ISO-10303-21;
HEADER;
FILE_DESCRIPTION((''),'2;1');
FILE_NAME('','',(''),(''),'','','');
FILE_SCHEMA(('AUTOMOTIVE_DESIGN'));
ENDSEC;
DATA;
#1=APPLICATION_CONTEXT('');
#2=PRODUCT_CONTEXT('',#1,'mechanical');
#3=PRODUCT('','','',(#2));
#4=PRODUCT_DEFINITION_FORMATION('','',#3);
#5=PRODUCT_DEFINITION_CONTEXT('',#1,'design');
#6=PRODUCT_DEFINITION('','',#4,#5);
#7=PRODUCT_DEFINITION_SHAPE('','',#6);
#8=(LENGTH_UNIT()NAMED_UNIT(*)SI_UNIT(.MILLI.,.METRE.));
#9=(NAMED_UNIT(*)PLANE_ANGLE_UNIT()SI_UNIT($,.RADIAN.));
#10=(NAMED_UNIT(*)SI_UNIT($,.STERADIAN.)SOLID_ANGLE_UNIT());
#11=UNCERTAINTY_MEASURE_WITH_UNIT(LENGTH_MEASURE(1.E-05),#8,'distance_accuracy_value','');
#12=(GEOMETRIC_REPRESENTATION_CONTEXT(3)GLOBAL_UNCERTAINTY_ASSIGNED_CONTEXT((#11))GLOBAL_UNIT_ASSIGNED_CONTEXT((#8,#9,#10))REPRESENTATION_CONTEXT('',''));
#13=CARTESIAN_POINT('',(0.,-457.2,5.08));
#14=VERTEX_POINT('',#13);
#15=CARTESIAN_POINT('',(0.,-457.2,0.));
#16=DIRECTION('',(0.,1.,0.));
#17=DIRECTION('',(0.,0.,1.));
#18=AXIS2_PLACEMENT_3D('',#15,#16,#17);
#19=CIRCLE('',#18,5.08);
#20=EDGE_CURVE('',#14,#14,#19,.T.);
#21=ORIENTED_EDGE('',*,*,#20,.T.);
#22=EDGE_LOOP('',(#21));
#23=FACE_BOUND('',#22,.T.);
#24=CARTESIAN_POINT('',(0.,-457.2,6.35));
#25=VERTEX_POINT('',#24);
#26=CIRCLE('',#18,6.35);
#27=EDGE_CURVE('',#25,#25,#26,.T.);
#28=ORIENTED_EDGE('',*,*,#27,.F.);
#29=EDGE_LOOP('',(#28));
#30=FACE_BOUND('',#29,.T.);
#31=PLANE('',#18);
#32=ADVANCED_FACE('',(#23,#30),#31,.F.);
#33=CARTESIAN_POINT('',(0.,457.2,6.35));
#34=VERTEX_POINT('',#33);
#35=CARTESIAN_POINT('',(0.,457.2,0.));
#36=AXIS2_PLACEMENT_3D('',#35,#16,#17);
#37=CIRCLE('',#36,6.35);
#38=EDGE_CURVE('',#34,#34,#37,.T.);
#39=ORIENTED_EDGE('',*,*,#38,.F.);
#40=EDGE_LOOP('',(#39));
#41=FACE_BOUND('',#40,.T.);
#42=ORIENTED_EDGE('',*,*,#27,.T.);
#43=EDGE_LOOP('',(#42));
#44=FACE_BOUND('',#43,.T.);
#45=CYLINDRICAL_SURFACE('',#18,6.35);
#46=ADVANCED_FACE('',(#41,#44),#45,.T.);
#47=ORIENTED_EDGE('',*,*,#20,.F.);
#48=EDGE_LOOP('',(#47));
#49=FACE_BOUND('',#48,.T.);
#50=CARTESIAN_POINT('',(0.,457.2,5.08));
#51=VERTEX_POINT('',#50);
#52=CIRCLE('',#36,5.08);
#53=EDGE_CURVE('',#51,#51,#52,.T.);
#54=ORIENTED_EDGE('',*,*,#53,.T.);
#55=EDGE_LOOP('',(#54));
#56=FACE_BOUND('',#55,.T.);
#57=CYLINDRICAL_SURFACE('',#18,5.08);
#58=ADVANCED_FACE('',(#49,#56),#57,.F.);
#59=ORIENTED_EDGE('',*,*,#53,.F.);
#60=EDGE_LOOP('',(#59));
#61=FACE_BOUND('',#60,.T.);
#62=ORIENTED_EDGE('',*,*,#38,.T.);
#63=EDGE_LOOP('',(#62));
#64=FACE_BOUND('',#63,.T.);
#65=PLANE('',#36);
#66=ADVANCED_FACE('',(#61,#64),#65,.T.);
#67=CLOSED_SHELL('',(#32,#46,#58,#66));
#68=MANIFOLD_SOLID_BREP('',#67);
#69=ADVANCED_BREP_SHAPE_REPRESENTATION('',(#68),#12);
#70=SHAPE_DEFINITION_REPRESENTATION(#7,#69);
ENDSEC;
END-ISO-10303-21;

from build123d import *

# Parameters (mm, degrees)
BOSS_EXTRUDE1_DEPTH      = 457.2
BOSS_EXTRUDE1_DEPTH_BACK = 457.2
SKETCH1_R                = 6.35
SKETCH1_R_2              = 5.08


with BuildPart() as part:
    # Sketch1 → Boss-Extrude1 (new, two sides: drawn at the far end of the back side and taken through both)
    with BuildSketch(Plane(origin=(0, 0, 0), x_dir=(1, 0, 0), z_dir=(0, 1, 0)).offset(-BOSS_EXTRUDE1_DEPTH_BACK)):
        Circle(SKETCH1_R)
        Circle(SKETCH1_R_2, mode=Mode.SUBTRACT)
    extrude(amount=BOSS_EXTRUDE1_DEPTH + BOSS_EXTRUDE1_DEPTH_BACK)


solid = part.part
